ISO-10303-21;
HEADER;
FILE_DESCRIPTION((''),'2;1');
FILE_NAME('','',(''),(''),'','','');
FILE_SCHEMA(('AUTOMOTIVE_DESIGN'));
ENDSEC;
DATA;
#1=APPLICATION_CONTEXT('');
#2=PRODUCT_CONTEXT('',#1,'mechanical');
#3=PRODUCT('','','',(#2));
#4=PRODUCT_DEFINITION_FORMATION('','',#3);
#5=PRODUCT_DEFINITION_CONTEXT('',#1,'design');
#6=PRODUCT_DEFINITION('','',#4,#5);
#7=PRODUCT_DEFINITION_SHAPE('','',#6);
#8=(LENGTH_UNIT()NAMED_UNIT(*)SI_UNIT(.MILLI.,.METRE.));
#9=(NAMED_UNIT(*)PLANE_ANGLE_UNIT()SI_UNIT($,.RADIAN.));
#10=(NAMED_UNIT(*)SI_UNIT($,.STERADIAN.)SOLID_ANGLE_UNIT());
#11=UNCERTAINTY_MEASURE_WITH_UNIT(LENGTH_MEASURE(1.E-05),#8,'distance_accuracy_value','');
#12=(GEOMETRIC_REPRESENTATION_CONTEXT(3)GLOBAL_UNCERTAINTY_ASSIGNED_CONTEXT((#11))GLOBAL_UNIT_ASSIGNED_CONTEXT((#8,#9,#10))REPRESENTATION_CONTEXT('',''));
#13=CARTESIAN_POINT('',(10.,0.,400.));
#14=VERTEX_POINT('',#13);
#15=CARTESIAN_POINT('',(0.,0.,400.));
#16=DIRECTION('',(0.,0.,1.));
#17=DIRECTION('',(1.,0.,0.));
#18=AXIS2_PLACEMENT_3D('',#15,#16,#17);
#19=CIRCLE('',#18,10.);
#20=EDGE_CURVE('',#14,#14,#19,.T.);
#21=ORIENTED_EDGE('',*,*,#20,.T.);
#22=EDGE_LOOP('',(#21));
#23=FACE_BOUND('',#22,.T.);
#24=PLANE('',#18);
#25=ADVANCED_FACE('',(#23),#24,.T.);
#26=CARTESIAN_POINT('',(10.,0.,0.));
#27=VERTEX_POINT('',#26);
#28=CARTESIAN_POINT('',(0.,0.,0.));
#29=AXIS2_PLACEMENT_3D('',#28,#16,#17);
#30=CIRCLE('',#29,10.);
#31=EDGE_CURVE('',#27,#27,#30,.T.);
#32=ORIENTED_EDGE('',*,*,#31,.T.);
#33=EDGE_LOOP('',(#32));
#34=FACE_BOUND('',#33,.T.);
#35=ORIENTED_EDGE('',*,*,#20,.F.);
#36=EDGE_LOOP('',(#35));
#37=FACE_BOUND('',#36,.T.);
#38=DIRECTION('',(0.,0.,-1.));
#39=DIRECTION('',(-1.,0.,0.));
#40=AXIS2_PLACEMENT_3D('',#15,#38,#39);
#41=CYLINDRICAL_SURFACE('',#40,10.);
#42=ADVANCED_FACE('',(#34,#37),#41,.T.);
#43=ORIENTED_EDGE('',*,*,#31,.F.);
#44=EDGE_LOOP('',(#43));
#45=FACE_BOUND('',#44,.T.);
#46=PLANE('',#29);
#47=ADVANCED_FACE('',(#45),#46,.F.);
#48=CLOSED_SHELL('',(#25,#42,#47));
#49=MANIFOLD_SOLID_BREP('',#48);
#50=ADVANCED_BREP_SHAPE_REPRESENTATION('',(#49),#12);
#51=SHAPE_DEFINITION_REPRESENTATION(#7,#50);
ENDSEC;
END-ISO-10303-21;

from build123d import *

# Parameters (mm, degrees)
SKETCH1_R           = 10
BOSS_EXTRUDE1_DEPTH = 400


with BuildPart() as part:
    # Sketch1 → Boss-Extrude1 (new body)
    with BuildSketch(Plane.XY):
        Circle(SKETCH1_R)
    extrude(amount=BOSS_EXTRUDE1_DEPTH)


solid = part.part
